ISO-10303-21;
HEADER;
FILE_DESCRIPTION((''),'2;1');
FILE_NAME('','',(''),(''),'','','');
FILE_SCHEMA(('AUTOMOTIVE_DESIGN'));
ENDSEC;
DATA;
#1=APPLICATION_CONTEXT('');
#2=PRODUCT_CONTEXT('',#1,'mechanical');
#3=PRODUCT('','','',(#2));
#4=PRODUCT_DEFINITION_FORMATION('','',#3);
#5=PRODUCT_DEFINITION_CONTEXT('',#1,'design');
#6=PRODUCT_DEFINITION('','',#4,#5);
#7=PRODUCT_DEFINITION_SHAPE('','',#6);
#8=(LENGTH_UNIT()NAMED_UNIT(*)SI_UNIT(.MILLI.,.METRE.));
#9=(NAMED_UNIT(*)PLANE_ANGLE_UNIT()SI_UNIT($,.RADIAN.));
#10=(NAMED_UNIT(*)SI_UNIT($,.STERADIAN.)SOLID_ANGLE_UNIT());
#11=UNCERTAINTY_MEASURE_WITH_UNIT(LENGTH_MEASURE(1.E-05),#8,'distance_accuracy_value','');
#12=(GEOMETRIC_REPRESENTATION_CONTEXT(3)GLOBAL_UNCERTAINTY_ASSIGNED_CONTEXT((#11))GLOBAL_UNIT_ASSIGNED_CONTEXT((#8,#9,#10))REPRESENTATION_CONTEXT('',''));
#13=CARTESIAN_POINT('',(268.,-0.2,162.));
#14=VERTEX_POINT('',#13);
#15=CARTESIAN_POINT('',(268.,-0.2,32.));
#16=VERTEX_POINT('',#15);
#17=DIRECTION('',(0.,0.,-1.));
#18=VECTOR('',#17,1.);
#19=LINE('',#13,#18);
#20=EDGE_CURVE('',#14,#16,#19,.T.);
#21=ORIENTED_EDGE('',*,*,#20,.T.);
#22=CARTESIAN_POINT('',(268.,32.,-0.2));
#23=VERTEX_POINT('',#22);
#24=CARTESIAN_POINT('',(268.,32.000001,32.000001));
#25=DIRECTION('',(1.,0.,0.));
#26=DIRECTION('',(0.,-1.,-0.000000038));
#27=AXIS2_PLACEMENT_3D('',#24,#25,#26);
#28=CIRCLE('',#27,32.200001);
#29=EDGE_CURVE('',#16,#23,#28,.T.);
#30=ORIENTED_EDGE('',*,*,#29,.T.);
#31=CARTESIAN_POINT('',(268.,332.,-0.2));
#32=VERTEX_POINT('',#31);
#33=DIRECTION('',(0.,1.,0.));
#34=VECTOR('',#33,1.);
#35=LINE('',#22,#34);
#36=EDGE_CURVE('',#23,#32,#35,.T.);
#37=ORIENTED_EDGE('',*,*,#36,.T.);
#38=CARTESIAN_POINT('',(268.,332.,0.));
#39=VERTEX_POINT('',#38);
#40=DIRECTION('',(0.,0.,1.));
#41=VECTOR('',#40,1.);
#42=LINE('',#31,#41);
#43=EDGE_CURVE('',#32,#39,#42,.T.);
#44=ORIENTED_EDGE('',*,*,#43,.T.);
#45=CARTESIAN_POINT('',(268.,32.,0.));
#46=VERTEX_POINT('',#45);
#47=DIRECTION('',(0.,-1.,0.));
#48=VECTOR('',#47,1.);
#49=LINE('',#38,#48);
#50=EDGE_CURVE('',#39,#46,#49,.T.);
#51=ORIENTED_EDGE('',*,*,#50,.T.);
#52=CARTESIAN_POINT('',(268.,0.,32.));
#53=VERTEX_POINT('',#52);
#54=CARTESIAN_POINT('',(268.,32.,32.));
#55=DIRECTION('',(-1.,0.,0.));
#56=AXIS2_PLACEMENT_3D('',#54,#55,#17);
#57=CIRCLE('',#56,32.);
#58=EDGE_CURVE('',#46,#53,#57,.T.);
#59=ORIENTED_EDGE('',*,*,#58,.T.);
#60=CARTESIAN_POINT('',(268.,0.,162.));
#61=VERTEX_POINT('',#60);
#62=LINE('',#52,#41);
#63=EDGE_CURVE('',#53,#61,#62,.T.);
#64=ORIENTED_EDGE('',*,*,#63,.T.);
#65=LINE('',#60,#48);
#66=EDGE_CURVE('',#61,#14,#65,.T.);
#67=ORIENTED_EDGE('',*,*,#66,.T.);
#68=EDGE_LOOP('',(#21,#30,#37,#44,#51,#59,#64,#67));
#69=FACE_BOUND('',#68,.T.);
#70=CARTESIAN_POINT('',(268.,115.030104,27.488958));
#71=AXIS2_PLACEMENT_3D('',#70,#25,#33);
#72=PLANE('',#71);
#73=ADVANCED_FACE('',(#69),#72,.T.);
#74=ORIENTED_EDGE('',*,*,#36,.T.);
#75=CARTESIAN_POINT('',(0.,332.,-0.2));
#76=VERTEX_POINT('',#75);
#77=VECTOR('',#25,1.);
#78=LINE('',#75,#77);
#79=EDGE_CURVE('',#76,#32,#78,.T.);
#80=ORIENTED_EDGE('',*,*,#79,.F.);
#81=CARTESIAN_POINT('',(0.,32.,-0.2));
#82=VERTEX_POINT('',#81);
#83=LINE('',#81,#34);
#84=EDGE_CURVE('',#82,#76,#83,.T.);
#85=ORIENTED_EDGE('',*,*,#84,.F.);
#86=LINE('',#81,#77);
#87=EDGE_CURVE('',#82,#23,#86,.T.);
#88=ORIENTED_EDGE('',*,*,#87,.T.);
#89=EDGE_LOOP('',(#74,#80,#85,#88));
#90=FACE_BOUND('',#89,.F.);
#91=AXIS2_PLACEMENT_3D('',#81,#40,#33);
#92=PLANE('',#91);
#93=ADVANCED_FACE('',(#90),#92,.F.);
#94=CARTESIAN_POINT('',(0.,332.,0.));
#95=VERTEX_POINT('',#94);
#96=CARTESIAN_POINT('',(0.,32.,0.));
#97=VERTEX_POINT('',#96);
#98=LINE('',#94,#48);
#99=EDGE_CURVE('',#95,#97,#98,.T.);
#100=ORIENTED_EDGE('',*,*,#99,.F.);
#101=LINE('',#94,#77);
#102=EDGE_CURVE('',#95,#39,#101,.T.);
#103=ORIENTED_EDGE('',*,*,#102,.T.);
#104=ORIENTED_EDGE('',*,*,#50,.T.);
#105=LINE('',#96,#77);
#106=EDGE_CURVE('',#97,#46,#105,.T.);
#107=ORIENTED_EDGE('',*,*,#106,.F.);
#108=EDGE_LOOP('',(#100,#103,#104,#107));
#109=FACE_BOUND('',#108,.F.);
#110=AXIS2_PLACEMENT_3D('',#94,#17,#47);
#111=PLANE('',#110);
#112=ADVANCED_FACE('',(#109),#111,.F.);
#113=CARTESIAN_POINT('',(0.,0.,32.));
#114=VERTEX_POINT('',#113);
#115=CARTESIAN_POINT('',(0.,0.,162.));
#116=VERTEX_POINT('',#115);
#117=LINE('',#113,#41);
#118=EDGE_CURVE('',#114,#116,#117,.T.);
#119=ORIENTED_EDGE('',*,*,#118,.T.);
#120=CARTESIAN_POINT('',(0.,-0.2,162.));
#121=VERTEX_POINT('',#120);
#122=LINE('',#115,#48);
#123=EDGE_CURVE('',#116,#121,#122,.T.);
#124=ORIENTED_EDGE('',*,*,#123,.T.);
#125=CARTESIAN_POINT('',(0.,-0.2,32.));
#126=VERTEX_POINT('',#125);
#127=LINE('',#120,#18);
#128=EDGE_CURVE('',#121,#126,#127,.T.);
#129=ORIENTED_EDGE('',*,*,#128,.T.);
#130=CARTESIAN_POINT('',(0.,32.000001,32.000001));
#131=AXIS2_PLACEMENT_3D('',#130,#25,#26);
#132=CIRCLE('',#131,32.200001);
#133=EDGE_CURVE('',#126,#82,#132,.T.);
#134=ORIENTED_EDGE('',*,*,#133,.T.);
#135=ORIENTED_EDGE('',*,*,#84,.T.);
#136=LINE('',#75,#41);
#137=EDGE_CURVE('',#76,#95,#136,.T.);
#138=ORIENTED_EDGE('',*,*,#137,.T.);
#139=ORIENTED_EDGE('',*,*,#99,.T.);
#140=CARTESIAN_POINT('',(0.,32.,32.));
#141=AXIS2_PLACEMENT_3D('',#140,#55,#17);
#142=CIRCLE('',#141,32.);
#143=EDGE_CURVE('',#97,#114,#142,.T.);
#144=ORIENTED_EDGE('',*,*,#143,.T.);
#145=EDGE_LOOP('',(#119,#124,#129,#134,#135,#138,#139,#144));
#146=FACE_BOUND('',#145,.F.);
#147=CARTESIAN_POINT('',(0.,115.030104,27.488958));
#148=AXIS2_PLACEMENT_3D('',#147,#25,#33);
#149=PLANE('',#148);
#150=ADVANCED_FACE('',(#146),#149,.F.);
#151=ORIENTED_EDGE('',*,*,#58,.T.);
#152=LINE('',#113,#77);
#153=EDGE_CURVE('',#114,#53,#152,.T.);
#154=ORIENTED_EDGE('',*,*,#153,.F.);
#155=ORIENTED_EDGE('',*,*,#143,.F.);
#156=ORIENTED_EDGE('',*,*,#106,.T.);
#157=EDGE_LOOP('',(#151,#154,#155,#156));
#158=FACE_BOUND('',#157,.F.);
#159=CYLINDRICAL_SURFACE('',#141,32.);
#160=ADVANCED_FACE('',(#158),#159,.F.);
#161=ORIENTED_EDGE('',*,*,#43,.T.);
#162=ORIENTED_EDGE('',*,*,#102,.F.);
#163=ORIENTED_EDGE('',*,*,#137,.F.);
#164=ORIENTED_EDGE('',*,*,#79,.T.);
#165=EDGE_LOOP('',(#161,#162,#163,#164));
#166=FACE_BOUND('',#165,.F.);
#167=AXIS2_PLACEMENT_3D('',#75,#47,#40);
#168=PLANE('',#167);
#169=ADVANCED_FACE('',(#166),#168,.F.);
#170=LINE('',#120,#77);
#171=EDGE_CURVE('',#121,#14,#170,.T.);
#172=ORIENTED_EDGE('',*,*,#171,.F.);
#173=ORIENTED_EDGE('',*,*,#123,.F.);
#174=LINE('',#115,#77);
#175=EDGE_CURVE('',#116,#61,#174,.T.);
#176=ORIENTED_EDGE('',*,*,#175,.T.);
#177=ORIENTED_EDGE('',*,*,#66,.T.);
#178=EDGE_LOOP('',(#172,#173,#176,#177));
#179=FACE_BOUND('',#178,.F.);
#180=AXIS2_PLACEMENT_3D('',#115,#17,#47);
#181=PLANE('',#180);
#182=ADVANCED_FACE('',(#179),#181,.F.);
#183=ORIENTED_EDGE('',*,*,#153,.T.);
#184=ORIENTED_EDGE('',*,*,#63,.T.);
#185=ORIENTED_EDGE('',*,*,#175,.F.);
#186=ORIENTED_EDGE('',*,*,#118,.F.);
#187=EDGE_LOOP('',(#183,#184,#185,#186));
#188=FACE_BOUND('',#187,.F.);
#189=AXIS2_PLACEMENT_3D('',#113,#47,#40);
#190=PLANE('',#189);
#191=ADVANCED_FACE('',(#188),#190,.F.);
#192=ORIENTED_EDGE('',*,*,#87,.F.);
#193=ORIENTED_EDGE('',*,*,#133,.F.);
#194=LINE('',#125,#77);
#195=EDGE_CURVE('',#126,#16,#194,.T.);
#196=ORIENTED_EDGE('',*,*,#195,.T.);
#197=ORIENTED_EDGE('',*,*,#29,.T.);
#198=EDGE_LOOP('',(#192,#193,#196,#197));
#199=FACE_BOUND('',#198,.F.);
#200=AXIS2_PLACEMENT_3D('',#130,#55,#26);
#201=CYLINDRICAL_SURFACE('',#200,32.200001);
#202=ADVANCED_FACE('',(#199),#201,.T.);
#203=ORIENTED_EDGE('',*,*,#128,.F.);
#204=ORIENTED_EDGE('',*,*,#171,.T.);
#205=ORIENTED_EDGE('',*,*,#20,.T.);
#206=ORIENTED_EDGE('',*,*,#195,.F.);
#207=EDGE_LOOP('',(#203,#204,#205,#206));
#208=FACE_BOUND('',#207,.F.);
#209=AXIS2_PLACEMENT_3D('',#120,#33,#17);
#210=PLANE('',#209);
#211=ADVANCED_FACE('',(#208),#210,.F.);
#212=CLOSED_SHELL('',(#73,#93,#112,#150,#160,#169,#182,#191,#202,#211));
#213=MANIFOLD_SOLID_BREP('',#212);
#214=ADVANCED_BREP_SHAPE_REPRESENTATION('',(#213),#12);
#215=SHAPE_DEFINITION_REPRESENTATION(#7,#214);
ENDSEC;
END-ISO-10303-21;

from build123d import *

# Parameters (mm, degrees)
F1_DEPTH = 268


with BuildPart() as f1:
    # F0 (on Right) → F1 (new body)
    with BuildSketch(Plane.YZ):
        with BuildLine():
            ThreePointArc((32, 0), (9.372583, 9.372583), (0, 32))
            Line((0, 32), (0, 162))
            Line((0, 162), (-0.2, 162))
            Line((-0.2, 162), (-0.2, 32))
            ThreePointArc((-0.2, 32), (9.231162, 9.231162), (32, -0.2))
            Line((32, -0.2), (332, -0.2))
            Line((332, -0.2), (332, 0))
            Line((332, 0), (32, 0))
        make_face()
    extrude(amount=F1_DEPTH)


solid = f1.part
